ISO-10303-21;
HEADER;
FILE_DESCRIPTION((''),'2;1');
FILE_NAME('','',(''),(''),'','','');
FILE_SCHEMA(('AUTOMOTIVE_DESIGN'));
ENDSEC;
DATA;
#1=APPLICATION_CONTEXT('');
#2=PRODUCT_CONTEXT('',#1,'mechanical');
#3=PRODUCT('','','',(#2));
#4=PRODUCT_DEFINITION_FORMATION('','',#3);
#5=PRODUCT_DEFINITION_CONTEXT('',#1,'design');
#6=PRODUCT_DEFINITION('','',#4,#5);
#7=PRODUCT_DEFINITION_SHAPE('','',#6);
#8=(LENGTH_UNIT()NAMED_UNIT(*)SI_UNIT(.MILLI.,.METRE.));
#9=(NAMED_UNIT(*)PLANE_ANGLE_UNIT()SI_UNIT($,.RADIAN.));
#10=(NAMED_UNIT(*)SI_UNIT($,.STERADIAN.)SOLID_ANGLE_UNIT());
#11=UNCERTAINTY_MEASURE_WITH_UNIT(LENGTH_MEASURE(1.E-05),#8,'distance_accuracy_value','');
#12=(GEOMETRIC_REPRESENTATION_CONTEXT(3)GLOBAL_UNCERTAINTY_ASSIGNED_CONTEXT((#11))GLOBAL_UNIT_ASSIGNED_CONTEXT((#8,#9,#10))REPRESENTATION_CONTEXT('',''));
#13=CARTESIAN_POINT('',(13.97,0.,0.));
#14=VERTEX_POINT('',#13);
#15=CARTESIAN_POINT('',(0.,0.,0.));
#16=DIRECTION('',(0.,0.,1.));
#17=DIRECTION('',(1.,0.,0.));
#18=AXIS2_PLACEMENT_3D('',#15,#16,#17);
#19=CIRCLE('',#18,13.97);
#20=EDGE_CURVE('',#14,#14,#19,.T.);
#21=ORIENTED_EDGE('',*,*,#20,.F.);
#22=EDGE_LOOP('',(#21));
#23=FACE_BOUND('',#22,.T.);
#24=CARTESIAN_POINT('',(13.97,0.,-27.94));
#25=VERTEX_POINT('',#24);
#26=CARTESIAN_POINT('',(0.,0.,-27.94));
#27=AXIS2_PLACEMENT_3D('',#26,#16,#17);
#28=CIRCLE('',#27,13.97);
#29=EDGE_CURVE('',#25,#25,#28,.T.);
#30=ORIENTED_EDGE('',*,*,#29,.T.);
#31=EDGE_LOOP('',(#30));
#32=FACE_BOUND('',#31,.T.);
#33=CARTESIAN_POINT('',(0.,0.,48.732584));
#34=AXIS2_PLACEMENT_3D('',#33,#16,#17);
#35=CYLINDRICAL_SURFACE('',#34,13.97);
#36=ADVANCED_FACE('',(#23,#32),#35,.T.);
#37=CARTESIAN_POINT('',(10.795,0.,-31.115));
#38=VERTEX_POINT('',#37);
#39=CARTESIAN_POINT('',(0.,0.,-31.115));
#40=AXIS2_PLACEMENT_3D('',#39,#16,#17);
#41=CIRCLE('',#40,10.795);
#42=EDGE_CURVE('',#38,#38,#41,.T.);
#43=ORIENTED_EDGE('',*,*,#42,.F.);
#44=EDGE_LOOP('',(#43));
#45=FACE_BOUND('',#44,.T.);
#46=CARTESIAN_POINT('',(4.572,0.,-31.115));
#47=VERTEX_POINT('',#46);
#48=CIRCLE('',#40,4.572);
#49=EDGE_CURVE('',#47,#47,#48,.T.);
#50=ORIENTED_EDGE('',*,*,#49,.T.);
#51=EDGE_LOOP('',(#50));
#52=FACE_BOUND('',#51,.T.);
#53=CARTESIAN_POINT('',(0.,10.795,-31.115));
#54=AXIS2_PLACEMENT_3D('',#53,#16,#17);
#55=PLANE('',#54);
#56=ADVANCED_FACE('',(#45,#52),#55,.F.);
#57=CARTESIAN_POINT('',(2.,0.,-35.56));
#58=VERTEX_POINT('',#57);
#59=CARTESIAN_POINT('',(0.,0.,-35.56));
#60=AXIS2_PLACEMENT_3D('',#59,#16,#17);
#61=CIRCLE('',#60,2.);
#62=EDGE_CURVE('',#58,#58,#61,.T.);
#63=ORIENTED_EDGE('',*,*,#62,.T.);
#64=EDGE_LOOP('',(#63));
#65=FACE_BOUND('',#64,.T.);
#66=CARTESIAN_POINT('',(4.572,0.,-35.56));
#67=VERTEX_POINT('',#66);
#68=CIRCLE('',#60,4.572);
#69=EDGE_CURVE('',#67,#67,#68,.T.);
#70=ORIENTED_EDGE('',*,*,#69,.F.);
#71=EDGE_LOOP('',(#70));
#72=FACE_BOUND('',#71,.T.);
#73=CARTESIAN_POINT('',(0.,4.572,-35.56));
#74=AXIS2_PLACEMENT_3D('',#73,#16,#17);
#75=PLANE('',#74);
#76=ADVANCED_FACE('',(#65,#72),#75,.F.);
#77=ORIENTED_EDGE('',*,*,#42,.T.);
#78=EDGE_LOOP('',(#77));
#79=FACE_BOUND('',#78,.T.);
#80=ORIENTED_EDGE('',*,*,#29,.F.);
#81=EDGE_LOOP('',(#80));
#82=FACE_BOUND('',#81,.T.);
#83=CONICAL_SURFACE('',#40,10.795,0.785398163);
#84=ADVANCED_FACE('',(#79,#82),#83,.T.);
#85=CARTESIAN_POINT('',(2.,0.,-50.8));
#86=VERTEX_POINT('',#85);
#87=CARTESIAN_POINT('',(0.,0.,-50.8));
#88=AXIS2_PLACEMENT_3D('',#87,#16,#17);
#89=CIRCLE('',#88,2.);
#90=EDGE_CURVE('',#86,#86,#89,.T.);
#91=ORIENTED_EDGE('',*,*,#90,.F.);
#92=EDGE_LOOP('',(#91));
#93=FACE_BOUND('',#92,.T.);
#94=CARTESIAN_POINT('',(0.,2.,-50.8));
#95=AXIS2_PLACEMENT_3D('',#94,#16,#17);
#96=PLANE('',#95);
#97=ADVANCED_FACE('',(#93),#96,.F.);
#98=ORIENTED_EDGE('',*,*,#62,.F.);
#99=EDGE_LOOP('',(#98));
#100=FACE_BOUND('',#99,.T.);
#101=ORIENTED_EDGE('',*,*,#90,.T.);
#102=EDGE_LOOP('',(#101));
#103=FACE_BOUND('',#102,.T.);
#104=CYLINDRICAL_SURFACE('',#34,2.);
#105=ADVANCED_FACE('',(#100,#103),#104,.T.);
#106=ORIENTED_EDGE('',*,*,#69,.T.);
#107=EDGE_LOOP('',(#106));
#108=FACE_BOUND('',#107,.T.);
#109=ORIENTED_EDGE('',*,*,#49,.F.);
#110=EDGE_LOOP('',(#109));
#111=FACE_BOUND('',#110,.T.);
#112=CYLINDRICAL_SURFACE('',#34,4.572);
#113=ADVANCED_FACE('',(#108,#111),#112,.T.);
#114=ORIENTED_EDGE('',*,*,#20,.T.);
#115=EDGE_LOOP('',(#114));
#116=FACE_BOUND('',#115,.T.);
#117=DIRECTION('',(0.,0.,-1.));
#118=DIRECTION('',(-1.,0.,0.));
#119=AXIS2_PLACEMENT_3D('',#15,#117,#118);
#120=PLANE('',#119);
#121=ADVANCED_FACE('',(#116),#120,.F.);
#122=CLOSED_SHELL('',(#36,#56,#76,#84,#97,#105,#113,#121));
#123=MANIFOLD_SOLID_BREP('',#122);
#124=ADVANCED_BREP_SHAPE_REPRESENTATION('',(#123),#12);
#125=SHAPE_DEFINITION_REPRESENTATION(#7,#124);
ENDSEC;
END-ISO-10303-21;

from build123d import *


with BuildPart() as part:
    # Sketch1 → Revolve1 (revolve)
    with BuildSketch(Plane(origin=(0, 0, 0), x_dir=(0, 0, -1), z_dir=(1, 0, 0))):
        Polygon((0, 0), (0, 13.97), (27.94, 13.97), (31.115, 10.795), (31.115, 4.572), (35.56, 4.572), (35.56, 2), (50.8, 2), (50.8, 0), align=None)
    revolve(axis=Axis((0, 0, 48.732583704), (0, 0, -1)))


solid = part.part
